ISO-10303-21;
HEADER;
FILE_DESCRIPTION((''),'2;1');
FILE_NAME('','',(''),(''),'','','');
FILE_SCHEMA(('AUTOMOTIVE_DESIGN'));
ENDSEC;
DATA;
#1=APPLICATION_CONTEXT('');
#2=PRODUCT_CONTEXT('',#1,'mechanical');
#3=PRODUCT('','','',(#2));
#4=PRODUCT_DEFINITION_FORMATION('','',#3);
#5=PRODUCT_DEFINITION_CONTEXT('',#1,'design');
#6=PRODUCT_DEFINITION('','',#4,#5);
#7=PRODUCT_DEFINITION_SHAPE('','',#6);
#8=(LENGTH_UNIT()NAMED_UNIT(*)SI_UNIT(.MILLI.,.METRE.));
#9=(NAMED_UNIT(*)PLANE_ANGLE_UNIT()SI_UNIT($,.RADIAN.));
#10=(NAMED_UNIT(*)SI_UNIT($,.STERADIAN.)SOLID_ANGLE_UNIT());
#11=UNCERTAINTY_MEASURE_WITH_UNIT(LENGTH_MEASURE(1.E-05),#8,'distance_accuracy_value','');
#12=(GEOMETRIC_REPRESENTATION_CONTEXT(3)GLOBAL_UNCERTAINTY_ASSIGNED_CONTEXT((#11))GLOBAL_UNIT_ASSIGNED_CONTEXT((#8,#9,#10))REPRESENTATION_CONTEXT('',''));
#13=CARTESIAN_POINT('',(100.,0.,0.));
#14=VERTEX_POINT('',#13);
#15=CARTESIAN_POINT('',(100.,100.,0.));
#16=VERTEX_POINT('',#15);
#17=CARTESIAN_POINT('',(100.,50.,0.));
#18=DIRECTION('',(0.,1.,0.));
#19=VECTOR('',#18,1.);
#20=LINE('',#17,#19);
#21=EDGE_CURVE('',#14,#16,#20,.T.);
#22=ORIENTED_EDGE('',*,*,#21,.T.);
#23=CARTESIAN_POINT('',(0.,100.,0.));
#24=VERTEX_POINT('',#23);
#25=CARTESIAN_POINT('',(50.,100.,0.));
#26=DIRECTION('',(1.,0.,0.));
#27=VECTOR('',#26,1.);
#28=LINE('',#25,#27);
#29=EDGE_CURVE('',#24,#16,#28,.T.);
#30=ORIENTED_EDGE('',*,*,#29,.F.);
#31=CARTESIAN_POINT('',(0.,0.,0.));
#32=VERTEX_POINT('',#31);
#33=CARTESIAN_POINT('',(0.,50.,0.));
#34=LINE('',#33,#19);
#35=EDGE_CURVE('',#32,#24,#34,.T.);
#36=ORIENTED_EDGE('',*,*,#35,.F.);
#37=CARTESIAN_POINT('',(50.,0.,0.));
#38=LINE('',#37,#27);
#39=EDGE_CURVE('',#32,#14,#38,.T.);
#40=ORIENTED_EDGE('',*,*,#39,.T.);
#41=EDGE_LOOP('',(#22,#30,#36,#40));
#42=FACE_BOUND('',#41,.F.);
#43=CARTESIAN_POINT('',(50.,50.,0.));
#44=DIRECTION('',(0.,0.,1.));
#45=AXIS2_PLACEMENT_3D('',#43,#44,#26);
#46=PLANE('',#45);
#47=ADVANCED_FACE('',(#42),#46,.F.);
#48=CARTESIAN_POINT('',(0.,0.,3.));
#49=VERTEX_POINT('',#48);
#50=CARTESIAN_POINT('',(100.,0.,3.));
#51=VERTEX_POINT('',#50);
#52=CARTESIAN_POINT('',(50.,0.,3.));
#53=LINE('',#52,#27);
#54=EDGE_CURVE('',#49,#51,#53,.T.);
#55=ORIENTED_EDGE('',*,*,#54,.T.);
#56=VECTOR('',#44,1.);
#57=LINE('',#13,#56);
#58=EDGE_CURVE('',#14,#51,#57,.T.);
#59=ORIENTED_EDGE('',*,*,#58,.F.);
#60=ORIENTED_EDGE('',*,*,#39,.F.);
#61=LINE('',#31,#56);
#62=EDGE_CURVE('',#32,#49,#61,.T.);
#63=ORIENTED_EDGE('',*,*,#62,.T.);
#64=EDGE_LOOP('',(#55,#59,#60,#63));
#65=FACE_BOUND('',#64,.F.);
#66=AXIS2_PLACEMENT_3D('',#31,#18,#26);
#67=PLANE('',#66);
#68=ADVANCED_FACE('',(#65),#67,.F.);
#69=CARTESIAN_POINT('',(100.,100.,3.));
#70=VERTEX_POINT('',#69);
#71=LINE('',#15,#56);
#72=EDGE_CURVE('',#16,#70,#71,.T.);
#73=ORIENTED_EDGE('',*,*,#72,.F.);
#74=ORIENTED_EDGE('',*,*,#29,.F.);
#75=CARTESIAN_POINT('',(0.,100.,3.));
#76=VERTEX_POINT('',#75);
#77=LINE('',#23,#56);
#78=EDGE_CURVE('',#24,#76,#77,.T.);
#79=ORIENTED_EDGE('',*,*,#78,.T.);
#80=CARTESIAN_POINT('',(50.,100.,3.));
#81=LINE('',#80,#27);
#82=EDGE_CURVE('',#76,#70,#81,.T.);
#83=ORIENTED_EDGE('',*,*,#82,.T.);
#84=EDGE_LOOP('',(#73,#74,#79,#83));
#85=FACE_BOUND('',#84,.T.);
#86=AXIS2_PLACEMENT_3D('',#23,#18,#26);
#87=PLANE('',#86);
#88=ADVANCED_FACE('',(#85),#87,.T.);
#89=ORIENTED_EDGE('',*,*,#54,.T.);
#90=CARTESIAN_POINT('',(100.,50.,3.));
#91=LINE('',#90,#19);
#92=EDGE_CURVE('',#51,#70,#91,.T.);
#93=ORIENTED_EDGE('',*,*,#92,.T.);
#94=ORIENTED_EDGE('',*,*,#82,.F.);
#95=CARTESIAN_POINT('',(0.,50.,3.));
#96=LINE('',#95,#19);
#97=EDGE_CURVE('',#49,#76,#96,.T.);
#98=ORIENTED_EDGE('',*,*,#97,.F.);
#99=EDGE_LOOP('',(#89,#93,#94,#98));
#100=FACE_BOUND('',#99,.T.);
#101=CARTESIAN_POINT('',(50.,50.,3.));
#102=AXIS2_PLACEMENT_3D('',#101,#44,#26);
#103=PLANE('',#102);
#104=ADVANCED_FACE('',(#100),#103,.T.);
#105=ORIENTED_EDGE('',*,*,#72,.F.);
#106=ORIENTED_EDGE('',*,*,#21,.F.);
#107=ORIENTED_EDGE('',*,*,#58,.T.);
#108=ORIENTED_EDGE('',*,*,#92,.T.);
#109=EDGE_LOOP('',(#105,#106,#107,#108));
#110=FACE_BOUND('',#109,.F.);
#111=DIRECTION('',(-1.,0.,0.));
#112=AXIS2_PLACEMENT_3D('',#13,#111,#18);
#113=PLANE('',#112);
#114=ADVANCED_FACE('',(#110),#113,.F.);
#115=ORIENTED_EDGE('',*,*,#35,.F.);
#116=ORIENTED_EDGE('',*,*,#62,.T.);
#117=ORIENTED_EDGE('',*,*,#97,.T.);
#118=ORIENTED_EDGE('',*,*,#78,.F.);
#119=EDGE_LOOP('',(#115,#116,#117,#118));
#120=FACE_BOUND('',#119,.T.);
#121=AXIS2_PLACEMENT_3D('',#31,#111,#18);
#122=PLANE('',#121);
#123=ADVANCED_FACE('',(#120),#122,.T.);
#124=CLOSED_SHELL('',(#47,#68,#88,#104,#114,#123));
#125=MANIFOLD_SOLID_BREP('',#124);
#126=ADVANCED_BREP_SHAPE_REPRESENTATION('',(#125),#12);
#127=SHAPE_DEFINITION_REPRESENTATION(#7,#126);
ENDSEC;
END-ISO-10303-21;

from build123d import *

# Parameters (mm, degrees)
SKETCH_1_W      = 100
SKETCH_1_H      = 100
EXTRUDE_1_DEPTH = 3


with BuildPart() as part:
    # 草图1 → 凸台-拉伸1 (new body)
    with BuildSketch(Plane.XY):
        with Locations((50, 50)):
            Rectangle(SKETCH_1_W, SKETCH_1_H)
    extrude(amount=EXTRUDE_1_DEPTH)


solid = part.part
